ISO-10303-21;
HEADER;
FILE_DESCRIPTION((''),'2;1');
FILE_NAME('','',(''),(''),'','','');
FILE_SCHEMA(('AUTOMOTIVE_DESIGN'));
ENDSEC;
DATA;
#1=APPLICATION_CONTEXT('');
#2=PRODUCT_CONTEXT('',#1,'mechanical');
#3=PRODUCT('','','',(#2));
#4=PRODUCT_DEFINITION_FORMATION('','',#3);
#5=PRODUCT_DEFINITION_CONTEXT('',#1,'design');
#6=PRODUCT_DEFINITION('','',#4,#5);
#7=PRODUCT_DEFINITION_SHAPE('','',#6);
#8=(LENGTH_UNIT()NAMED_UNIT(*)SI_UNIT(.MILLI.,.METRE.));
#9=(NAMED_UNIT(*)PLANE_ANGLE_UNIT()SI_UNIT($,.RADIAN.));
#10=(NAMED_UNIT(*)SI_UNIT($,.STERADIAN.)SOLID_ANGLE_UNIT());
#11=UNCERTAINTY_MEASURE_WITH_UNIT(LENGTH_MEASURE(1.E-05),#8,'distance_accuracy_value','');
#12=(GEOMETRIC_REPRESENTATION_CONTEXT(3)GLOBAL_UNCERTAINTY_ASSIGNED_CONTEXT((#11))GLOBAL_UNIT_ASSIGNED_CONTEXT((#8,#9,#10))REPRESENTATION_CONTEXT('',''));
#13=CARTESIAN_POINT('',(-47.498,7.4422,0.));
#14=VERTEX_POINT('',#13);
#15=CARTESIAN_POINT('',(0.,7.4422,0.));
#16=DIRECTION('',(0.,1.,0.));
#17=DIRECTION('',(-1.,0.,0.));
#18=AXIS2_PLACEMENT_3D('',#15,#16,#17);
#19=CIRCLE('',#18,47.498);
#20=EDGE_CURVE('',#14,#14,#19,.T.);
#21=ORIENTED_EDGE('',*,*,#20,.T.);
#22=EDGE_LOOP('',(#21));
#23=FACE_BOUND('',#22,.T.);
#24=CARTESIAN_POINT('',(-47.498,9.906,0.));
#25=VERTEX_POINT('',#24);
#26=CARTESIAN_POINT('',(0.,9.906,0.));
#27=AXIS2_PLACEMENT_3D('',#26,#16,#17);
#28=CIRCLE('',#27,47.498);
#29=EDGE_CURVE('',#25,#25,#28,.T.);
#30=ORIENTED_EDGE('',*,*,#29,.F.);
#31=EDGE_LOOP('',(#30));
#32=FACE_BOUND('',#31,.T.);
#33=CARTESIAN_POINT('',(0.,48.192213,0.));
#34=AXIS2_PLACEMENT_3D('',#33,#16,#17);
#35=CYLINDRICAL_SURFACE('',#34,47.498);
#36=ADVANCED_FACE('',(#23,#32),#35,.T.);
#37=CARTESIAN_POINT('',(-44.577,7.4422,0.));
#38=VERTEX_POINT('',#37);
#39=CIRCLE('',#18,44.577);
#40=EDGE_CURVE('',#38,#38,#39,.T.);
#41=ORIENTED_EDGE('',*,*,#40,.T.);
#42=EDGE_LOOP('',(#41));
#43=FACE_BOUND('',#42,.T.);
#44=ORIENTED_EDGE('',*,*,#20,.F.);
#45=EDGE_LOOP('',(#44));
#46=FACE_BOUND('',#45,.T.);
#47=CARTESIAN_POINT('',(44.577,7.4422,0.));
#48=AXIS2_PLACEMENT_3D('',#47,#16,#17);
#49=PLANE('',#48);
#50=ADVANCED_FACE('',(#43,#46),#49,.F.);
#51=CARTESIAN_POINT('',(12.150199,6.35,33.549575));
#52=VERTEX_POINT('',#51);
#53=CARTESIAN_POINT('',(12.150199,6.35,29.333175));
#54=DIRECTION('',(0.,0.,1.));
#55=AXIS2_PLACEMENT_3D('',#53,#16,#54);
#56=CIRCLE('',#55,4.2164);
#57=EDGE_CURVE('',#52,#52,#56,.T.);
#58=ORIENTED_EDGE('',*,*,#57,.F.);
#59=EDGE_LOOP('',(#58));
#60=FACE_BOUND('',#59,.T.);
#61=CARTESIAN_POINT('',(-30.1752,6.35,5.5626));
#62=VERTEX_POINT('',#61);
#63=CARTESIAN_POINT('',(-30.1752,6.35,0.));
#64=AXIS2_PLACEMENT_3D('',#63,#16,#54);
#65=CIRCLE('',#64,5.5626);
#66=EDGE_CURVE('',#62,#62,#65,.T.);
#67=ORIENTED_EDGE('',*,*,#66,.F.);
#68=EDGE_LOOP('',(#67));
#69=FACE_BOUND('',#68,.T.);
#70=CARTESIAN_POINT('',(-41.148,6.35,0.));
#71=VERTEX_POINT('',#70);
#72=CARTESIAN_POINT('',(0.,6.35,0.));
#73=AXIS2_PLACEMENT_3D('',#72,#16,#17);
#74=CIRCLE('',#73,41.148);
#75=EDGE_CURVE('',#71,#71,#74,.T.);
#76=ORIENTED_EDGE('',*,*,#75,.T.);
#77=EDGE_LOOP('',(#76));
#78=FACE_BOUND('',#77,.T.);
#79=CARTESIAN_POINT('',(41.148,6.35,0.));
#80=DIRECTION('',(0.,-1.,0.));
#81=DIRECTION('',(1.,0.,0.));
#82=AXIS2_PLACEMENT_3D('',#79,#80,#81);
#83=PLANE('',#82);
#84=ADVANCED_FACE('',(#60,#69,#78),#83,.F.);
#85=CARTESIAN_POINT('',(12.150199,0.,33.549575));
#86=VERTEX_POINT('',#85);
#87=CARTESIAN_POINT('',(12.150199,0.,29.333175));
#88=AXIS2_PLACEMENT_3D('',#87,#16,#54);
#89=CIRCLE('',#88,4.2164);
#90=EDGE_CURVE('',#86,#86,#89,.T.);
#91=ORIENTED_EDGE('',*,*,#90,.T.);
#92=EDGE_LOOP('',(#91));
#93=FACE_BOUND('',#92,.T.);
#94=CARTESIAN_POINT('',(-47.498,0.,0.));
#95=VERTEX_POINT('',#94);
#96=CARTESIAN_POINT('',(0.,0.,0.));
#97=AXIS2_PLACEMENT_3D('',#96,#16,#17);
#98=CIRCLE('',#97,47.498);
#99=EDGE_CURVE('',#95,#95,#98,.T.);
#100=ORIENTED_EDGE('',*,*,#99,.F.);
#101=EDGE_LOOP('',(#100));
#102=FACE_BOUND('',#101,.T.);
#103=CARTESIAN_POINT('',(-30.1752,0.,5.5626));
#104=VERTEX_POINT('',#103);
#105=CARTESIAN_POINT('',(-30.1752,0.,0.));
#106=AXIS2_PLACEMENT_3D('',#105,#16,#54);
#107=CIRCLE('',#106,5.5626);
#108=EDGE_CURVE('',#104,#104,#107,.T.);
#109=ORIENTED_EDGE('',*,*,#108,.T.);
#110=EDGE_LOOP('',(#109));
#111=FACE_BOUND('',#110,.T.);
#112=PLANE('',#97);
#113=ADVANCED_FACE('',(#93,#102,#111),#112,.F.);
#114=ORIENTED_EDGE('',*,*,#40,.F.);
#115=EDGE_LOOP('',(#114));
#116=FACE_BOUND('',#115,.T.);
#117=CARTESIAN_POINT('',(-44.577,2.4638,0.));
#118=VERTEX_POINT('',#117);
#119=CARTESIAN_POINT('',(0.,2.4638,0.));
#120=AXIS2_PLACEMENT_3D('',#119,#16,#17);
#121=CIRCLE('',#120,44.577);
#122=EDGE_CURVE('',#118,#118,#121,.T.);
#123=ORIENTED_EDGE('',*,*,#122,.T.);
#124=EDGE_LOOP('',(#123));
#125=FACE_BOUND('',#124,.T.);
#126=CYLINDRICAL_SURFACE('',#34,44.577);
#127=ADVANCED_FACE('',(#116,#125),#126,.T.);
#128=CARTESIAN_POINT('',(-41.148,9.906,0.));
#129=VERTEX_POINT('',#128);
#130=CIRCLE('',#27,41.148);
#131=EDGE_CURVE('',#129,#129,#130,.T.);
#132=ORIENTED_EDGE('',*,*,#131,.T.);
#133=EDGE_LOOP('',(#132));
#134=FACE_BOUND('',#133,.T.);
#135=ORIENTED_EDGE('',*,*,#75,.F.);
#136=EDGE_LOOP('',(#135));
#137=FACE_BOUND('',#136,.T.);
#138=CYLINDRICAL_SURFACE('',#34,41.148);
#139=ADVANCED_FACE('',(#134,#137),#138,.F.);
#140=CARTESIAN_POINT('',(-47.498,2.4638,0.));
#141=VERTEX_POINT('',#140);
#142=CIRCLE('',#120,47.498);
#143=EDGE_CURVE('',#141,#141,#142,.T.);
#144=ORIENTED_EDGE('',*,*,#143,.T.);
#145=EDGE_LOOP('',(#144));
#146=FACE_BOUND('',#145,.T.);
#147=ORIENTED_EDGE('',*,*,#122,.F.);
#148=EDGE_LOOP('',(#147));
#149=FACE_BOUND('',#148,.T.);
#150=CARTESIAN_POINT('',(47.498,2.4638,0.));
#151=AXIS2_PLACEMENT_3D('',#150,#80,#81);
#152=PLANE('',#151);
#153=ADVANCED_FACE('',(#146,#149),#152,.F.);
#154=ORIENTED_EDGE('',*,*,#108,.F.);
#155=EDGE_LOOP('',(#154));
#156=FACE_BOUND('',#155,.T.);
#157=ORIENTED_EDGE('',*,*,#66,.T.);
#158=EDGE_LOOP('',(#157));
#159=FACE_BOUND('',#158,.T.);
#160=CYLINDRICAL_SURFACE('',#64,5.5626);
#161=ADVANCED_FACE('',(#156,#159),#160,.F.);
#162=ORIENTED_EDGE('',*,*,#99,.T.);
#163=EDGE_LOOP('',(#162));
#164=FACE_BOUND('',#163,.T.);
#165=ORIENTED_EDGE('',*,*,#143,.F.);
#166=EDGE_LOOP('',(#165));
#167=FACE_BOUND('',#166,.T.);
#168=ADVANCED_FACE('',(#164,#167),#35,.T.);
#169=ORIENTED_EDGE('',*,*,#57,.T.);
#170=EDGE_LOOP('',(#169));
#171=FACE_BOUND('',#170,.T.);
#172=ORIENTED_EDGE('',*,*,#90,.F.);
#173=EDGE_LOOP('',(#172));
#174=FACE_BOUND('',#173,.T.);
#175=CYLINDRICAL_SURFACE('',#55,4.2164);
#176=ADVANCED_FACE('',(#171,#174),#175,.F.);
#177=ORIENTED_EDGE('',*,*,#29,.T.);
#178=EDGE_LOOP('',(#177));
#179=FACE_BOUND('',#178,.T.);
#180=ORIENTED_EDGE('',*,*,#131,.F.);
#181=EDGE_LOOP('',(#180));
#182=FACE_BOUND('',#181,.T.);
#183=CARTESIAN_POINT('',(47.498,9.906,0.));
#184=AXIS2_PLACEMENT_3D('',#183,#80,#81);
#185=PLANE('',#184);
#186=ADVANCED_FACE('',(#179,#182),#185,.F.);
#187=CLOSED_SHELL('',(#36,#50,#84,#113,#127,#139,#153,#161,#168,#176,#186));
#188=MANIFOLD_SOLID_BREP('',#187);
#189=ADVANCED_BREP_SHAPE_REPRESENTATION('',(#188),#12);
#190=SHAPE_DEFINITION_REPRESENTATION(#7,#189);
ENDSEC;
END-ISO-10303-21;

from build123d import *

# Parameters (mm, degrees)
PIPE_TAP_DRILL_FOR_1_4_TAP1_D = 11.1252
PIPE_TAP_DRILL_FOR_1_8_TAP1_D = 8.4328
SKETCH6_R                     = 6.35
BOSS_EXTRUDE1_DEPTH           = 6.35


with BuildPart() as part:
    # Sketch1 → Revolve1 (revolve)
    with BuildSketch(Plane.XY, mode=Mode.PRIVATE) as revolve1_sk:
        Polygon((0, 0), (47.498, 0), (47.498, 2.4638), (44.577, 2.4638), (44.577, 7.4422), (47.498, 7.4422), (47.498, 9.906), (41.148, 9.906), (41.148, 6.35), (0, 6.35), align=None)
    revolve(revolve1_sk.sketch.rotate(Axis((0, 48.192213231, 0), (0, -1, 0)), 180), axis=Axis((0, 48.192213231, 0), (0, -1, 0)))

    # Pipe Tap Drill for 1/4 Tap1 (through all)
    with Locations(Plane(origin=(0, 6.35, 0), x_dir=(1, 0, 0), z_dir=(0, 1, 0))):
        with Locations((0, 0), (-30.1752, 0)):
            Hole(PIPE_TAP_DRILL_FOR_1_4_TAP1_D / 2)

    # Pipe Tap Drill for 1/8 Tap1 (through all)
    with Locations(Plane(origin=(0, 6.35, 0), x_dir=(1, 0, 0), z_dir=(0, 1, 0))):
        with Locations((12.150198978, -29.333175157)):
            Hole(PIPE_TAP_DRILL_FOR_1_8_TAP1_D / 2)

    # Sketch6 → Boss-Extrude1 (add)
    with BuildSketch(Plane(origin=(0, 6.35, 0), x_dir=(1, 0, 0), z_dir=(0, 1, 0))):
        Circle(SKETCH6_R)
    extrude(amount=-BOSS_EXTRUDE1_DEPTH)


solid = part.part
